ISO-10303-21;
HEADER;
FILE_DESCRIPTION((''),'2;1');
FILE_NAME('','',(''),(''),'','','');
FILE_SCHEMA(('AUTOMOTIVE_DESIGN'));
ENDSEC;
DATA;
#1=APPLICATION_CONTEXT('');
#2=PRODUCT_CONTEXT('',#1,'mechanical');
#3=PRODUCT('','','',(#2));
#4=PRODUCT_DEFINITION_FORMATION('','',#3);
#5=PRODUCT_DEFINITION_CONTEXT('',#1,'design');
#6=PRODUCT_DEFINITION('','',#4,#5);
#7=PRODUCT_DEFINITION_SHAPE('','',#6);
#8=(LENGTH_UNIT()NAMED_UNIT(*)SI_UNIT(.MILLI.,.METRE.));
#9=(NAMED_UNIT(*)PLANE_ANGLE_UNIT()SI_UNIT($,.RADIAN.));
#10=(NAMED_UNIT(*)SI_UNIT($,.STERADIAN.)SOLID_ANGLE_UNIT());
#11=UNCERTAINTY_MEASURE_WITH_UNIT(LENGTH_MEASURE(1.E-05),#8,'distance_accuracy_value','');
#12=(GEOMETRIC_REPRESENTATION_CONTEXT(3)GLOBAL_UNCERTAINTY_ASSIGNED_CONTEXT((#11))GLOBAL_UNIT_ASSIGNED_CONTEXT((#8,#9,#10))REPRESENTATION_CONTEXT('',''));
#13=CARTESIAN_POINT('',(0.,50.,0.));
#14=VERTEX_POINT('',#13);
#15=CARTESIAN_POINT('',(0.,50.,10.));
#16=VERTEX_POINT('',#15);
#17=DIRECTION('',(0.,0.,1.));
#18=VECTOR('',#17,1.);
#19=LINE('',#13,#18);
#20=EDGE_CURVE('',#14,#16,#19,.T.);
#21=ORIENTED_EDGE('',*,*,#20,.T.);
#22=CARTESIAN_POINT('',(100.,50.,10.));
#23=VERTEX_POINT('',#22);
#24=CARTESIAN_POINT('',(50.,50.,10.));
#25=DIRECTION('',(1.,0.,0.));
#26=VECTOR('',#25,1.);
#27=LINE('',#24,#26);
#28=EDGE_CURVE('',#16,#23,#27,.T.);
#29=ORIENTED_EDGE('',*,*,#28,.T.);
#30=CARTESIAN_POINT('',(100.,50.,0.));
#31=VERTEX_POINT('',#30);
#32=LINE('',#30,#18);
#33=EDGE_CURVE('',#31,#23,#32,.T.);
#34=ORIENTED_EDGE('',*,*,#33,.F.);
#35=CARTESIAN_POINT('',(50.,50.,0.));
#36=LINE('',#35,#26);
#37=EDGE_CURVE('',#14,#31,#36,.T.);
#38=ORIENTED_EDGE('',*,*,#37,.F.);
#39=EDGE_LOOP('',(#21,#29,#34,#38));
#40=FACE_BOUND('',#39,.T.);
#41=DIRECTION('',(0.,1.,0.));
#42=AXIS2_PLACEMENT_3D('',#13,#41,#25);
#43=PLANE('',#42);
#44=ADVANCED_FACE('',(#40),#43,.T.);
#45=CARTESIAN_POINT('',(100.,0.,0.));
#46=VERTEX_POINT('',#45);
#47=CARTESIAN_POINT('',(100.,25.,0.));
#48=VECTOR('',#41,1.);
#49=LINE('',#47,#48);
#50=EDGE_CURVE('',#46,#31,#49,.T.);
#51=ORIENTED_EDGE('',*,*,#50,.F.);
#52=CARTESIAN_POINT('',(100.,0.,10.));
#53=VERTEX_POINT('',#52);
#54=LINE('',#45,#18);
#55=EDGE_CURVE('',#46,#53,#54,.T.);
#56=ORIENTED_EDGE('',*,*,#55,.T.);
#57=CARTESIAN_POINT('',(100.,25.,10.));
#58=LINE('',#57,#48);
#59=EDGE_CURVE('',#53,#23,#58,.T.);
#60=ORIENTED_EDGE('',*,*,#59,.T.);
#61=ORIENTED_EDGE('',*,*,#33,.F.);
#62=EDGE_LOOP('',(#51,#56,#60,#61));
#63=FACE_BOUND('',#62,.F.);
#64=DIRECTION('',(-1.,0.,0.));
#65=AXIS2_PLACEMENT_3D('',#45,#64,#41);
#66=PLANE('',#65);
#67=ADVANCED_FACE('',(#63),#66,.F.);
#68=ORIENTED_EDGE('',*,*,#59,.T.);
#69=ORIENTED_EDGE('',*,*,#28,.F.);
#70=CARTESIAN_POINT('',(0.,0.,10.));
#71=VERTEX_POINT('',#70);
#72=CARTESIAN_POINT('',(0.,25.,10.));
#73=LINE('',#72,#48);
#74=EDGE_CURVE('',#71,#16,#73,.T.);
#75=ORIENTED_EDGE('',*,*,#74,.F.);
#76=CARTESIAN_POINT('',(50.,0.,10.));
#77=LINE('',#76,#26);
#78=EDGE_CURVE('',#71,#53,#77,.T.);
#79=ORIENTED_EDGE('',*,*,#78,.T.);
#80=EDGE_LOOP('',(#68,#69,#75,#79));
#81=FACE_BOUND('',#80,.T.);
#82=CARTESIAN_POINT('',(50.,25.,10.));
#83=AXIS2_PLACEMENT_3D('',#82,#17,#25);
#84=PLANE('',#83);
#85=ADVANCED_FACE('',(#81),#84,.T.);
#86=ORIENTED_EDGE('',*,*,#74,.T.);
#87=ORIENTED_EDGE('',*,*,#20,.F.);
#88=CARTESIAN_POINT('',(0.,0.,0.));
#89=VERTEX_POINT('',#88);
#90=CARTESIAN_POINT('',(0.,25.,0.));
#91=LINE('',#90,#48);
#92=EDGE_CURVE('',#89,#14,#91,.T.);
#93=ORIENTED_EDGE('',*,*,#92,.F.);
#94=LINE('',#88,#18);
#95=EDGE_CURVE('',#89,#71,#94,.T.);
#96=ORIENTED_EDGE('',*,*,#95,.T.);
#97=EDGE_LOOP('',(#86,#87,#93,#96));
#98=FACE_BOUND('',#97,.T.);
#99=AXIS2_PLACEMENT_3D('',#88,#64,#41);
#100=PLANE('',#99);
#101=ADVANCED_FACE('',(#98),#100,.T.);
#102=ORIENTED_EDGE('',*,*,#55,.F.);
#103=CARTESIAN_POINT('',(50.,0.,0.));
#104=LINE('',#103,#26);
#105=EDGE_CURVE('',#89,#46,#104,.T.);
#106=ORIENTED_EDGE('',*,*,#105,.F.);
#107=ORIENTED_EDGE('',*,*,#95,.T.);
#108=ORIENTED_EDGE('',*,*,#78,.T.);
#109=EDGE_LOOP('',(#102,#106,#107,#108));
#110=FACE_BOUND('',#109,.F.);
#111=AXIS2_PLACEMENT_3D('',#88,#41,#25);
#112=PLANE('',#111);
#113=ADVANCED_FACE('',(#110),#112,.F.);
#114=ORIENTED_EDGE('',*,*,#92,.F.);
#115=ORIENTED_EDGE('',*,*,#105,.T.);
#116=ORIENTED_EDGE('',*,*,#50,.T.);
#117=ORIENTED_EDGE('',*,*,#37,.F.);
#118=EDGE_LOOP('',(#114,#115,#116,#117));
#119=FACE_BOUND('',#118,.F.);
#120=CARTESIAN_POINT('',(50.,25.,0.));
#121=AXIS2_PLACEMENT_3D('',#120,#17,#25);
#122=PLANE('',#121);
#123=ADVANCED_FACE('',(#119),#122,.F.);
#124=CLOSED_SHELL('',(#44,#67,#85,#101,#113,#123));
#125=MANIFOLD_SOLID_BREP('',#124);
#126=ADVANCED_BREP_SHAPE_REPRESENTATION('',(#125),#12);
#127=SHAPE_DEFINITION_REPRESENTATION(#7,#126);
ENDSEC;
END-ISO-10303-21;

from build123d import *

# Parameters (mm, degrees)
BOX_W     = 100
BOX_H     = 50
BOX_DEPTH = 10


with BuildPart() as part:
    # Box → Box (new body)
    with BuildSketch(Plane.XY):
        with Locations((50, 25)):
            Rectangle(BOX_W, BOX_H)
    extrude(amount=BOX_DEPTH)


solid = part.part
